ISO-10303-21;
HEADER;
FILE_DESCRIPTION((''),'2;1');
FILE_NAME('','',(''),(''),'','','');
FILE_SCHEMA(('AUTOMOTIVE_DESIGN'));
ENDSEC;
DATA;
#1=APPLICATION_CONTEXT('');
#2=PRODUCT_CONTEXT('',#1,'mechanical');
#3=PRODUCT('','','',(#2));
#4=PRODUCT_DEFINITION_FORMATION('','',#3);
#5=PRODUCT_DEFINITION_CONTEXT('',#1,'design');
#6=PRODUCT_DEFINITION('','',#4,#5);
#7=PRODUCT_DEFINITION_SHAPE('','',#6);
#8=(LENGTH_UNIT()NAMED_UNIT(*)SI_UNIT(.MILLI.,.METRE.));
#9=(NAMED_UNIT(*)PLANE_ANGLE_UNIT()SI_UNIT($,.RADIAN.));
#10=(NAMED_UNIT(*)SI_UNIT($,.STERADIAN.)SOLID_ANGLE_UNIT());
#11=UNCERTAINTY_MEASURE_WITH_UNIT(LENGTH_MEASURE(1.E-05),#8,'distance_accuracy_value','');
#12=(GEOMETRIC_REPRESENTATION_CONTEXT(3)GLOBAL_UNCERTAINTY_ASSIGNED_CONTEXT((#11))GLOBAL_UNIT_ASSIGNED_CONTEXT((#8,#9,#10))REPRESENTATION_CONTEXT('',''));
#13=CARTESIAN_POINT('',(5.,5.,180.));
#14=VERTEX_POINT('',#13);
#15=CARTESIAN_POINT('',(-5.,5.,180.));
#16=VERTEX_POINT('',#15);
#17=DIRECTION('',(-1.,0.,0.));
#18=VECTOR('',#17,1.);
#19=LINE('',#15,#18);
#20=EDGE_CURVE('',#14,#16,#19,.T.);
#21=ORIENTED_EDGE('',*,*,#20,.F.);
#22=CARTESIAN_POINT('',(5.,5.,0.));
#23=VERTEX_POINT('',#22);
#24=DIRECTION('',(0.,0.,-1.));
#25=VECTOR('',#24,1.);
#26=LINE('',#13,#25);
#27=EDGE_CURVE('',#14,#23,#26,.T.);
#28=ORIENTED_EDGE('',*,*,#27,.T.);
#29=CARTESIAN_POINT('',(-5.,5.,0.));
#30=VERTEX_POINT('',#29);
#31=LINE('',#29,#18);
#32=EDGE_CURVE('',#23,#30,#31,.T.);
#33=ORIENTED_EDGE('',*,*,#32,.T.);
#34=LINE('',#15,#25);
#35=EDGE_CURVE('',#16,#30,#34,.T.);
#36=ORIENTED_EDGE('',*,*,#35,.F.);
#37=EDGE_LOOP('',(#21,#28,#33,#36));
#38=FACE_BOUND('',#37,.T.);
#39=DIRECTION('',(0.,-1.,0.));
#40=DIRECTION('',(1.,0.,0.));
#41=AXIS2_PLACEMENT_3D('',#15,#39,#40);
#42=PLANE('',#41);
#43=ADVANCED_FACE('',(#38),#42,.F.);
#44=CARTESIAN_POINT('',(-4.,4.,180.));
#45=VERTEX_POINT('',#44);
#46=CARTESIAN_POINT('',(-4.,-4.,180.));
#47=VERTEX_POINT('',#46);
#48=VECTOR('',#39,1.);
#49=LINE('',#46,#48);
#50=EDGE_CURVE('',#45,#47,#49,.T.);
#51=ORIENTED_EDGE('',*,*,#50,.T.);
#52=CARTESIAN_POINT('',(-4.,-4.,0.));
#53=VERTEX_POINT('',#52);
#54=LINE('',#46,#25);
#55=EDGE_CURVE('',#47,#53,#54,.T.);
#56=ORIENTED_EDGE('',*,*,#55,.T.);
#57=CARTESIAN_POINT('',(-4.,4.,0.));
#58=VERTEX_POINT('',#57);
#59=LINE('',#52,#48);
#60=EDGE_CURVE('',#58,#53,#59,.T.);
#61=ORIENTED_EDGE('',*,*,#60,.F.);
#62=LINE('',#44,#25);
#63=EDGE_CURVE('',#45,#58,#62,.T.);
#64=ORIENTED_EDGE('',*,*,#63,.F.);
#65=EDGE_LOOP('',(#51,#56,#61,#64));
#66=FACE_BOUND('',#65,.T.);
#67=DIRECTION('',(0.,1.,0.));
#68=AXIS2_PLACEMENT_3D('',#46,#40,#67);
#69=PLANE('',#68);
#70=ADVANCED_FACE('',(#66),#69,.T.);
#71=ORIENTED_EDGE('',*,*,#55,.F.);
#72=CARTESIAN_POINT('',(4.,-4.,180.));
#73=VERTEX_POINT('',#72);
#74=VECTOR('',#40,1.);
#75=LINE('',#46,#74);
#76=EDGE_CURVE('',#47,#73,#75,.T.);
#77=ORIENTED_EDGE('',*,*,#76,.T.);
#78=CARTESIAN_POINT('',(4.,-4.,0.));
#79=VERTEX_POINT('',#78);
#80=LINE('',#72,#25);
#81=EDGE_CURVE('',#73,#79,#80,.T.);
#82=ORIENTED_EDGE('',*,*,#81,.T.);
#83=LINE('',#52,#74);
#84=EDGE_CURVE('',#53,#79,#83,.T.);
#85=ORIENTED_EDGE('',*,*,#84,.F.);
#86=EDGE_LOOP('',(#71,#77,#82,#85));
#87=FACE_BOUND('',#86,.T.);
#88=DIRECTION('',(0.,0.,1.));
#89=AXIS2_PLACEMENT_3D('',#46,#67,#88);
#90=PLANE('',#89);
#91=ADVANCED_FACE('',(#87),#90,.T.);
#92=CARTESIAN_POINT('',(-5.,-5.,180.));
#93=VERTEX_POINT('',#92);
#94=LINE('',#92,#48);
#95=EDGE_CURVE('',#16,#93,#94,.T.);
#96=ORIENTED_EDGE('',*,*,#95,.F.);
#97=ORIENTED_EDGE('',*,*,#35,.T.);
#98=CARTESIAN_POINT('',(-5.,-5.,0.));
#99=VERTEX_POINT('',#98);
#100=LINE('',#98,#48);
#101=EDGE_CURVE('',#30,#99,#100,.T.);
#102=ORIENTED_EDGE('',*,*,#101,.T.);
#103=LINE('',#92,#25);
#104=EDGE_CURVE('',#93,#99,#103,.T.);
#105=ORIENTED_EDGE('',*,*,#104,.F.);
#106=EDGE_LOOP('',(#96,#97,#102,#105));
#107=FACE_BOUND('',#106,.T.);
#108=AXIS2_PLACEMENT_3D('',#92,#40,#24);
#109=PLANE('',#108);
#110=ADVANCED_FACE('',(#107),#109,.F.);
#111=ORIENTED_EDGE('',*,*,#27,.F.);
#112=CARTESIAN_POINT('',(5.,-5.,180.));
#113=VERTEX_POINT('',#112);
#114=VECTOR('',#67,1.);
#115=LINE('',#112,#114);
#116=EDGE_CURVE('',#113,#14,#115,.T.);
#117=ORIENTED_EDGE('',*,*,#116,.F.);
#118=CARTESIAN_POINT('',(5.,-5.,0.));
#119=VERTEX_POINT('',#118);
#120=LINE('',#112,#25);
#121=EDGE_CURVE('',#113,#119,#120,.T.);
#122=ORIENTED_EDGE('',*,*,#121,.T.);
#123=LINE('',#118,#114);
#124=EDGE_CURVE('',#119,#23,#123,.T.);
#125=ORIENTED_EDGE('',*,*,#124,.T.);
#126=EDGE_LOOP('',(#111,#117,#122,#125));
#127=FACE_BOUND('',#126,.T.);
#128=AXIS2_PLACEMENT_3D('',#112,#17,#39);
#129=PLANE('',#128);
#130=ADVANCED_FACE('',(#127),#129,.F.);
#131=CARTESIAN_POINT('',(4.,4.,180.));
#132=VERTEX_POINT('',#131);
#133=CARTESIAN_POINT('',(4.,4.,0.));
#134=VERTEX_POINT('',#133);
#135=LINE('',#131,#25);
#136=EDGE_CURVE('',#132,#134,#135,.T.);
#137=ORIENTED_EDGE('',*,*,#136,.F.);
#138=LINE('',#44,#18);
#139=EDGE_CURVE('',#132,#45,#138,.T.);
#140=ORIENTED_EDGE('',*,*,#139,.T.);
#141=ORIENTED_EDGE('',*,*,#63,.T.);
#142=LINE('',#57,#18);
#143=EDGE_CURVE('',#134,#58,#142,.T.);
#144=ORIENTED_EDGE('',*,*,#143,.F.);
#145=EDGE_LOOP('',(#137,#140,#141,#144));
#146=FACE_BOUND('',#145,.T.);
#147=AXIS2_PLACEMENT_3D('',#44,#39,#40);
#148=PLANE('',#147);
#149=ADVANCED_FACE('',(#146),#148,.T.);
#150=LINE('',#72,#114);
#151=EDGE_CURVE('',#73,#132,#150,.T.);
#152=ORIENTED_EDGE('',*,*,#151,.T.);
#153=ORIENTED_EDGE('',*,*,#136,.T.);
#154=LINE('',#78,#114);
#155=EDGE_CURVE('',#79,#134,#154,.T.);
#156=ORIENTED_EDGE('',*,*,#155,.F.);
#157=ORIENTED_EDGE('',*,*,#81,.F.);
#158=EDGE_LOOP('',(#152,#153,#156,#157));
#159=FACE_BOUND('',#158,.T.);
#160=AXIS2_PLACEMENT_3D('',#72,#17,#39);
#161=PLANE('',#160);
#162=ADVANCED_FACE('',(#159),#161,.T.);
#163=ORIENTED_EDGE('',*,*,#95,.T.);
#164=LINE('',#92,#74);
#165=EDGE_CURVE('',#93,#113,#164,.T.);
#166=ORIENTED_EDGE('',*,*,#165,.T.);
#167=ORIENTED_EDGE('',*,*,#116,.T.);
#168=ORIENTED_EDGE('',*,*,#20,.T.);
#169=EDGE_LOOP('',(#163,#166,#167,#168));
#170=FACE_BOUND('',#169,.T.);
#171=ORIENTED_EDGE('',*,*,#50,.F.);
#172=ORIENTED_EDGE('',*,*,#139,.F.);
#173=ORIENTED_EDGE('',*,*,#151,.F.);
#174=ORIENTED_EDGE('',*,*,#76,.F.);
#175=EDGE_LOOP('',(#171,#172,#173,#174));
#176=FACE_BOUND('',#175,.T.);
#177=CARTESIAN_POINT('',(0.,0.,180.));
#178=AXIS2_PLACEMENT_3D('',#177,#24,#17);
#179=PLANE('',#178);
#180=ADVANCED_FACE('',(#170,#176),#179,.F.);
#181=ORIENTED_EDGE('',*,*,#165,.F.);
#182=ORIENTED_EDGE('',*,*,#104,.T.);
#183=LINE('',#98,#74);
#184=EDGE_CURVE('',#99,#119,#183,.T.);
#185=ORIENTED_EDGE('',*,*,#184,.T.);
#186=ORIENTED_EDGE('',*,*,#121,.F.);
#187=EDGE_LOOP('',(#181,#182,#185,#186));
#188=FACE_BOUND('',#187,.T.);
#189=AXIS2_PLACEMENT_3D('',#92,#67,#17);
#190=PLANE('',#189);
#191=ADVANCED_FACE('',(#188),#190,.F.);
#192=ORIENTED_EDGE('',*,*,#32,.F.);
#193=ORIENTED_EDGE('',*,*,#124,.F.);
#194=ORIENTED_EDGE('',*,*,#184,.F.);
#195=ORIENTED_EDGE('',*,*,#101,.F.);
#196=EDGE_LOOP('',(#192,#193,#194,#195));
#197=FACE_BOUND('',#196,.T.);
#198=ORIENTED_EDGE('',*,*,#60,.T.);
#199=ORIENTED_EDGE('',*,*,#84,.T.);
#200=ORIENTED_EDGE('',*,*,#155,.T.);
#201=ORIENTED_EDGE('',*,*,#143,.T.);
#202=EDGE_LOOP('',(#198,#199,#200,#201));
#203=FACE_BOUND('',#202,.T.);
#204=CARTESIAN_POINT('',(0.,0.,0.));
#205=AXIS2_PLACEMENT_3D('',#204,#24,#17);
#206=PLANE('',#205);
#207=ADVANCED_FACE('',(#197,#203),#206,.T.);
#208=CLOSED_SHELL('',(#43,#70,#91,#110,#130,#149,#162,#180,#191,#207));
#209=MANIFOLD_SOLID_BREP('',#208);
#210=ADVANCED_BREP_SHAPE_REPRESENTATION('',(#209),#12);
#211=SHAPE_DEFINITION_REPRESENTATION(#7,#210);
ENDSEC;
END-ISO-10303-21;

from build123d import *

# Parameters (mm, degrees)
SZKIC1_W                    = 10
SZKIC1_H                    = 10
SZKIC1_W_2                  = 8
SZKIC1_H_2                  = 8
DODANIE_WYCI_GNI_CIE1_DEPTH = 180


with BuildPart() as part:
    # Szkic1 → Dodanie-wyciągnięcie1 (new body)
    with BuildSketch(Plane.XY):
        Rectangle(SZKIC1_W, SZKIC1_H)
        Rectangle(SZKIC1_W_2, SZKIC1_H_2, mode=Mode.SUBTRACT)
    extrude(amount=DODANIE_WYCI_GNI_CIE1_DEPTH)


solid = part.part
